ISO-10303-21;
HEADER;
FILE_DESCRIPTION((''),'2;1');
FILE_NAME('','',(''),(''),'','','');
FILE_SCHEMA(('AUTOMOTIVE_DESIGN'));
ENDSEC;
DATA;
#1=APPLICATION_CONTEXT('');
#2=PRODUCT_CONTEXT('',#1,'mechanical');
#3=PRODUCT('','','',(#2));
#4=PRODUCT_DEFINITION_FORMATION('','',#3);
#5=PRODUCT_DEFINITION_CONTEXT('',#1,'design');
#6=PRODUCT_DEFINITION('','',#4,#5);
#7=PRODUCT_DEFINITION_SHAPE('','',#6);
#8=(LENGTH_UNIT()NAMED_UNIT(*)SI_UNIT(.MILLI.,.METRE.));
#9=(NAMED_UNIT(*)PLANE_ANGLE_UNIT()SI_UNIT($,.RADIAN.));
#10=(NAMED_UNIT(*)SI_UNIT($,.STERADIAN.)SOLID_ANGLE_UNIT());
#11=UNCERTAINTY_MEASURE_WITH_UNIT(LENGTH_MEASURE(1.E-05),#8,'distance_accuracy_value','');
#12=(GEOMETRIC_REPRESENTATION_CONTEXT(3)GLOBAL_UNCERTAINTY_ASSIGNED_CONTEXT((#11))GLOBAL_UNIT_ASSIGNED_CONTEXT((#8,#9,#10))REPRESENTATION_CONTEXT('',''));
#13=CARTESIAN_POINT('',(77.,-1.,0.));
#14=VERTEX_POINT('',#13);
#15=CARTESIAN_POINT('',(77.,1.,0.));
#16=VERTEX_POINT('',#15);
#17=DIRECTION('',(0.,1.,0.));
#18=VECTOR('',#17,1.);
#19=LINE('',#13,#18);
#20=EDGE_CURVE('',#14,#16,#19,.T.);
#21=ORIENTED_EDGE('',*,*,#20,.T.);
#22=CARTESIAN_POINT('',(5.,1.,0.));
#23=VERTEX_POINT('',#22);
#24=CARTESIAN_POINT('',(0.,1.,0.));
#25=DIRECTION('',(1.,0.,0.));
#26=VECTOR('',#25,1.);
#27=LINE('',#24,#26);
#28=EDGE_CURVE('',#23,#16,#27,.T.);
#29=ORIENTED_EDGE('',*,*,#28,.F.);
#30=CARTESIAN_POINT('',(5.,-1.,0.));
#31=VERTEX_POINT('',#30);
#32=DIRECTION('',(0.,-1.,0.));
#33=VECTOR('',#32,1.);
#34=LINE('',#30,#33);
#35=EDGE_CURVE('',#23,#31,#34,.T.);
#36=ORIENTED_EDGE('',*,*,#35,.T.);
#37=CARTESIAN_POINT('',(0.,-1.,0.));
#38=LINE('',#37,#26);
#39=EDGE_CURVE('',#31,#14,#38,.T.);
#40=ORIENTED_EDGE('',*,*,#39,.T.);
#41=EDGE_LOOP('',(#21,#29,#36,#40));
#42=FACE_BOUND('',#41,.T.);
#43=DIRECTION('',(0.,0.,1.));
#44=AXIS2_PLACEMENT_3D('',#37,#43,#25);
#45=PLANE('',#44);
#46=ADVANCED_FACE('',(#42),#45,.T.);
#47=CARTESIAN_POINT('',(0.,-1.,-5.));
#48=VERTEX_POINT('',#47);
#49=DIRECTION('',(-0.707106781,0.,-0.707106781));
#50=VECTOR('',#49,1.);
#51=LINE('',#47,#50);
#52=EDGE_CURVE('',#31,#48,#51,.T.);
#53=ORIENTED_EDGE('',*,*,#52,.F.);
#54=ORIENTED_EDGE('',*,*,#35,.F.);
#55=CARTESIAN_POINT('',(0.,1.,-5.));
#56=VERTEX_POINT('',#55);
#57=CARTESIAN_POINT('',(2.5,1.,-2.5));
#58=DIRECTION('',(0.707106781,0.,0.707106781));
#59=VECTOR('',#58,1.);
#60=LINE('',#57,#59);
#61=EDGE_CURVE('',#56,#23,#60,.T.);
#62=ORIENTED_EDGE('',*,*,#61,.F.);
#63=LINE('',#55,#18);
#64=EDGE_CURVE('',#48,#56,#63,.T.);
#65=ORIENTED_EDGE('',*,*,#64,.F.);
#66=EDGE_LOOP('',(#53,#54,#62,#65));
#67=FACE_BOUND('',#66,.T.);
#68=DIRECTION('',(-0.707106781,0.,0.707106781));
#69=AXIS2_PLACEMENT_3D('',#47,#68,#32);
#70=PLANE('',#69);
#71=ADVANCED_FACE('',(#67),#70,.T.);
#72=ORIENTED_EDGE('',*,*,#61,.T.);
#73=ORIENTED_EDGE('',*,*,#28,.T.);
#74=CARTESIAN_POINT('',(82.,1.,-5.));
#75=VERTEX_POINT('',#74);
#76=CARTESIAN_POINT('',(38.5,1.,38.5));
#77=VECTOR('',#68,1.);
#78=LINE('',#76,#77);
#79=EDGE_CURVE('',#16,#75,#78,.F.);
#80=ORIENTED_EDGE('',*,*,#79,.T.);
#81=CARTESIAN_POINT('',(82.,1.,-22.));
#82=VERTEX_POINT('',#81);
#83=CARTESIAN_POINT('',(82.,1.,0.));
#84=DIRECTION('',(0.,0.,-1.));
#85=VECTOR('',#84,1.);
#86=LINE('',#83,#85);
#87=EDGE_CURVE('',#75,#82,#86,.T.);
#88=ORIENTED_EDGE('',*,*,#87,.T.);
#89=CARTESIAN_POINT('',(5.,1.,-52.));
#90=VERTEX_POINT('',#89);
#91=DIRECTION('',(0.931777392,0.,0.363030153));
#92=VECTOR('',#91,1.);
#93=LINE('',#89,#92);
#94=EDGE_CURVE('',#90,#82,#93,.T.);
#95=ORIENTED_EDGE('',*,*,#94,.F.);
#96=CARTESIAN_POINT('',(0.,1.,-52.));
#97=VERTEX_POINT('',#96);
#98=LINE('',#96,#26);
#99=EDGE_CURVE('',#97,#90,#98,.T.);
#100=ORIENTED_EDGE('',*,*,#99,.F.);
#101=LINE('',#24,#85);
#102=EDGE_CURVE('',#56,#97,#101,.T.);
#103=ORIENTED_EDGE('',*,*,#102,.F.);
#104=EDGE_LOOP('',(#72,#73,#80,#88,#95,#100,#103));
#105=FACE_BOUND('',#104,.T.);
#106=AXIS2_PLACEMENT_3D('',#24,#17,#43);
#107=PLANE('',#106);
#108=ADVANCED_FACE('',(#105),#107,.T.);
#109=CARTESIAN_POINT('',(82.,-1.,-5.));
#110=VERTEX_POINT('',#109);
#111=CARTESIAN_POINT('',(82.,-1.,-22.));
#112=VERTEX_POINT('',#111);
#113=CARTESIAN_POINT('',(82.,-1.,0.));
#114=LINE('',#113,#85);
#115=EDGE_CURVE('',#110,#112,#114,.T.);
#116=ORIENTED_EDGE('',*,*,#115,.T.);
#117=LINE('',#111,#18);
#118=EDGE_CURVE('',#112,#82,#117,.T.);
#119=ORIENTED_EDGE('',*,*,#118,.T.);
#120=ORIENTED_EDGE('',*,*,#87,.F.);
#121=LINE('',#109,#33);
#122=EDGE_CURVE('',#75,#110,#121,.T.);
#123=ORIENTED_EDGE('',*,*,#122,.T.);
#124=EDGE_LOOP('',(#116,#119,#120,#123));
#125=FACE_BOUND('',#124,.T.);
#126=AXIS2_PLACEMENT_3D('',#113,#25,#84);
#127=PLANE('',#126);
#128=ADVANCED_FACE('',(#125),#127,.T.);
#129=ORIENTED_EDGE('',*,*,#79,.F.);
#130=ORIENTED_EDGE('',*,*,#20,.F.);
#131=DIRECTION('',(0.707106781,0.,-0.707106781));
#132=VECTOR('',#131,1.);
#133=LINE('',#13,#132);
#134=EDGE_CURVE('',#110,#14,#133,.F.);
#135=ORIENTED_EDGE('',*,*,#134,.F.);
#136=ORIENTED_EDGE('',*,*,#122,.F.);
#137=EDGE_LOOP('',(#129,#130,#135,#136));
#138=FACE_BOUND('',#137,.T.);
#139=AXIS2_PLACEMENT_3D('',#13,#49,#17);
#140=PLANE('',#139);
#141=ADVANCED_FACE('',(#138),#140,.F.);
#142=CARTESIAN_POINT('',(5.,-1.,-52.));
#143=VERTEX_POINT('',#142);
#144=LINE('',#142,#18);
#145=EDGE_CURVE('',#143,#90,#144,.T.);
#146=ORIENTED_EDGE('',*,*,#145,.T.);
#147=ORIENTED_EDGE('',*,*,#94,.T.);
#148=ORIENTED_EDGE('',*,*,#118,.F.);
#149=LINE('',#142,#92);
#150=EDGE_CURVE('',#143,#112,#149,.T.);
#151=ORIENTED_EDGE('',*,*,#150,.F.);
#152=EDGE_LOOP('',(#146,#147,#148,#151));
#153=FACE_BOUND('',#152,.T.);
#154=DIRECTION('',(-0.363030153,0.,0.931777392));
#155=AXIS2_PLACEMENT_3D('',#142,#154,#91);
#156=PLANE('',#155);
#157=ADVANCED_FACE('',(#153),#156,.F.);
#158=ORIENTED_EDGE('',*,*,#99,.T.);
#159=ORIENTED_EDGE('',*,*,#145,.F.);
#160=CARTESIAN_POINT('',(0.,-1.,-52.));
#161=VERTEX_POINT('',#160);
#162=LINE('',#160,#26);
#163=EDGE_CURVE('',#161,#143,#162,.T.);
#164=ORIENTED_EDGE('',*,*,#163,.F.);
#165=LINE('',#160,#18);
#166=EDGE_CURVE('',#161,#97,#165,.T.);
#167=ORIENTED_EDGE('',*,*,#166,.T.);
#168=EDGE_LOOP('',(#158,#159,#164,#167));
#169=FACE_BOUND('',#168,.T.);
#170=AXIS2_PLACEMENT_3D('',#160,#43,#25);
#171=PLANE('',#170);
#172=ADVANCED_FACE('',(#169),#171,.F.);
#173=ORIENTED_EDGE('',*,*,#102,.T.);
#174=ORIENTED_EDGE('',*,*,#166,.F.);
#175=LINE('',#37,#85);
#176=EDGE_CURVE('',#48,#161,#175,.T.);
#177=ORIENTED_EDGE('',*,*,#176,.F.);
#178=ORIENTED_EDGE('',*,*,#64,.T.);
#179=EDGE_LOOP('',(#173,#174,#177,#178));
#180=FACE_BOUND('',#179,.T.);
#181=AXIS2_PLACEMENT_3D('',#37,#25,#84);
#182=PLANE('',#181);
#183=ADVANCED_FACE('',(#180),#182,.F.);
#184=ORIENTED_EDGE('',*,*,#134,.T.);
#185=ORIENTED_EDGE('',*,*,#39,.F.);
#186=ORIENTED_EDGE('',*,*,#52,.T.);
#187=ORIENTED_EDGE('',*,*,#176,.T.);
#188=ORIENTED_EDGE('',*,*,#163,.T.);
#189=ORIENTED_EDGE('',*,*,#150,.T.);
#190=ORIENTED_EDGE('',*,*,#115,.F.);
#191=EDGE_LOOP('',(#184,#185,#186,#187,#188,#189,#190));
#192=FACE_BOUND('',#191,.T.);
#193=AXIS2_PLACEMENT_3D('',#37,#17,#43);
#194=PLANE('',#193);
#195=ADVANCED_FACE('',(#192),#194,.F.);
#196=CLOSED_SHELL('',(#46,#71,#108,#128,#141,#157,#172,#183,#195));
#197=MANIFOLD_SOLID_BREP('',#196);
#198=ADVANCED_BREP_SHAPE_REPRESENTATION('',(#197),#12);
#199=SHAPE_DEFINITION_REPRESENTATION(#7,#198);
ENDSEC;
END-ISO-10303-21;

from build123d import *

# Parameters (mm, degrees)
EXTRUDE_1_DEPTH      = 1
EXTRUDE_1_DEPTH_BACK = 1
CHAMFER_2_SIZE       = 5


with BuildPart() as part:
    # Эскиз1 → Бобышка-Вытянуть1 (new, two sides: drawn at the far end of the back side and taken through both)
    with BuildSketch(Plane(origin=(0, 0, 0), x_dir=(1, 0, 0), z_dir=(0, 1, 0)).offset(-EXTRUDE_1_DEPTH_BACK)):
        Polygon((5, 52), (82, 22), (82, 0), (0, 0), (0, 52), align=None)
    extrude(amount=EXTRUDE_1_DEPTH + EXTRUDE_1_DEPTH_BACK)

    # Фаска2
    chamfer_2_edges = [part.edges().sort_by_distance(p)[0] for p in [
        (0, 0, 0),
        (82, 0, 0),
    ]]
    chamfer(chamfer_2_edges, length=CHAMFER_2_SIZE)


solid = part.part
